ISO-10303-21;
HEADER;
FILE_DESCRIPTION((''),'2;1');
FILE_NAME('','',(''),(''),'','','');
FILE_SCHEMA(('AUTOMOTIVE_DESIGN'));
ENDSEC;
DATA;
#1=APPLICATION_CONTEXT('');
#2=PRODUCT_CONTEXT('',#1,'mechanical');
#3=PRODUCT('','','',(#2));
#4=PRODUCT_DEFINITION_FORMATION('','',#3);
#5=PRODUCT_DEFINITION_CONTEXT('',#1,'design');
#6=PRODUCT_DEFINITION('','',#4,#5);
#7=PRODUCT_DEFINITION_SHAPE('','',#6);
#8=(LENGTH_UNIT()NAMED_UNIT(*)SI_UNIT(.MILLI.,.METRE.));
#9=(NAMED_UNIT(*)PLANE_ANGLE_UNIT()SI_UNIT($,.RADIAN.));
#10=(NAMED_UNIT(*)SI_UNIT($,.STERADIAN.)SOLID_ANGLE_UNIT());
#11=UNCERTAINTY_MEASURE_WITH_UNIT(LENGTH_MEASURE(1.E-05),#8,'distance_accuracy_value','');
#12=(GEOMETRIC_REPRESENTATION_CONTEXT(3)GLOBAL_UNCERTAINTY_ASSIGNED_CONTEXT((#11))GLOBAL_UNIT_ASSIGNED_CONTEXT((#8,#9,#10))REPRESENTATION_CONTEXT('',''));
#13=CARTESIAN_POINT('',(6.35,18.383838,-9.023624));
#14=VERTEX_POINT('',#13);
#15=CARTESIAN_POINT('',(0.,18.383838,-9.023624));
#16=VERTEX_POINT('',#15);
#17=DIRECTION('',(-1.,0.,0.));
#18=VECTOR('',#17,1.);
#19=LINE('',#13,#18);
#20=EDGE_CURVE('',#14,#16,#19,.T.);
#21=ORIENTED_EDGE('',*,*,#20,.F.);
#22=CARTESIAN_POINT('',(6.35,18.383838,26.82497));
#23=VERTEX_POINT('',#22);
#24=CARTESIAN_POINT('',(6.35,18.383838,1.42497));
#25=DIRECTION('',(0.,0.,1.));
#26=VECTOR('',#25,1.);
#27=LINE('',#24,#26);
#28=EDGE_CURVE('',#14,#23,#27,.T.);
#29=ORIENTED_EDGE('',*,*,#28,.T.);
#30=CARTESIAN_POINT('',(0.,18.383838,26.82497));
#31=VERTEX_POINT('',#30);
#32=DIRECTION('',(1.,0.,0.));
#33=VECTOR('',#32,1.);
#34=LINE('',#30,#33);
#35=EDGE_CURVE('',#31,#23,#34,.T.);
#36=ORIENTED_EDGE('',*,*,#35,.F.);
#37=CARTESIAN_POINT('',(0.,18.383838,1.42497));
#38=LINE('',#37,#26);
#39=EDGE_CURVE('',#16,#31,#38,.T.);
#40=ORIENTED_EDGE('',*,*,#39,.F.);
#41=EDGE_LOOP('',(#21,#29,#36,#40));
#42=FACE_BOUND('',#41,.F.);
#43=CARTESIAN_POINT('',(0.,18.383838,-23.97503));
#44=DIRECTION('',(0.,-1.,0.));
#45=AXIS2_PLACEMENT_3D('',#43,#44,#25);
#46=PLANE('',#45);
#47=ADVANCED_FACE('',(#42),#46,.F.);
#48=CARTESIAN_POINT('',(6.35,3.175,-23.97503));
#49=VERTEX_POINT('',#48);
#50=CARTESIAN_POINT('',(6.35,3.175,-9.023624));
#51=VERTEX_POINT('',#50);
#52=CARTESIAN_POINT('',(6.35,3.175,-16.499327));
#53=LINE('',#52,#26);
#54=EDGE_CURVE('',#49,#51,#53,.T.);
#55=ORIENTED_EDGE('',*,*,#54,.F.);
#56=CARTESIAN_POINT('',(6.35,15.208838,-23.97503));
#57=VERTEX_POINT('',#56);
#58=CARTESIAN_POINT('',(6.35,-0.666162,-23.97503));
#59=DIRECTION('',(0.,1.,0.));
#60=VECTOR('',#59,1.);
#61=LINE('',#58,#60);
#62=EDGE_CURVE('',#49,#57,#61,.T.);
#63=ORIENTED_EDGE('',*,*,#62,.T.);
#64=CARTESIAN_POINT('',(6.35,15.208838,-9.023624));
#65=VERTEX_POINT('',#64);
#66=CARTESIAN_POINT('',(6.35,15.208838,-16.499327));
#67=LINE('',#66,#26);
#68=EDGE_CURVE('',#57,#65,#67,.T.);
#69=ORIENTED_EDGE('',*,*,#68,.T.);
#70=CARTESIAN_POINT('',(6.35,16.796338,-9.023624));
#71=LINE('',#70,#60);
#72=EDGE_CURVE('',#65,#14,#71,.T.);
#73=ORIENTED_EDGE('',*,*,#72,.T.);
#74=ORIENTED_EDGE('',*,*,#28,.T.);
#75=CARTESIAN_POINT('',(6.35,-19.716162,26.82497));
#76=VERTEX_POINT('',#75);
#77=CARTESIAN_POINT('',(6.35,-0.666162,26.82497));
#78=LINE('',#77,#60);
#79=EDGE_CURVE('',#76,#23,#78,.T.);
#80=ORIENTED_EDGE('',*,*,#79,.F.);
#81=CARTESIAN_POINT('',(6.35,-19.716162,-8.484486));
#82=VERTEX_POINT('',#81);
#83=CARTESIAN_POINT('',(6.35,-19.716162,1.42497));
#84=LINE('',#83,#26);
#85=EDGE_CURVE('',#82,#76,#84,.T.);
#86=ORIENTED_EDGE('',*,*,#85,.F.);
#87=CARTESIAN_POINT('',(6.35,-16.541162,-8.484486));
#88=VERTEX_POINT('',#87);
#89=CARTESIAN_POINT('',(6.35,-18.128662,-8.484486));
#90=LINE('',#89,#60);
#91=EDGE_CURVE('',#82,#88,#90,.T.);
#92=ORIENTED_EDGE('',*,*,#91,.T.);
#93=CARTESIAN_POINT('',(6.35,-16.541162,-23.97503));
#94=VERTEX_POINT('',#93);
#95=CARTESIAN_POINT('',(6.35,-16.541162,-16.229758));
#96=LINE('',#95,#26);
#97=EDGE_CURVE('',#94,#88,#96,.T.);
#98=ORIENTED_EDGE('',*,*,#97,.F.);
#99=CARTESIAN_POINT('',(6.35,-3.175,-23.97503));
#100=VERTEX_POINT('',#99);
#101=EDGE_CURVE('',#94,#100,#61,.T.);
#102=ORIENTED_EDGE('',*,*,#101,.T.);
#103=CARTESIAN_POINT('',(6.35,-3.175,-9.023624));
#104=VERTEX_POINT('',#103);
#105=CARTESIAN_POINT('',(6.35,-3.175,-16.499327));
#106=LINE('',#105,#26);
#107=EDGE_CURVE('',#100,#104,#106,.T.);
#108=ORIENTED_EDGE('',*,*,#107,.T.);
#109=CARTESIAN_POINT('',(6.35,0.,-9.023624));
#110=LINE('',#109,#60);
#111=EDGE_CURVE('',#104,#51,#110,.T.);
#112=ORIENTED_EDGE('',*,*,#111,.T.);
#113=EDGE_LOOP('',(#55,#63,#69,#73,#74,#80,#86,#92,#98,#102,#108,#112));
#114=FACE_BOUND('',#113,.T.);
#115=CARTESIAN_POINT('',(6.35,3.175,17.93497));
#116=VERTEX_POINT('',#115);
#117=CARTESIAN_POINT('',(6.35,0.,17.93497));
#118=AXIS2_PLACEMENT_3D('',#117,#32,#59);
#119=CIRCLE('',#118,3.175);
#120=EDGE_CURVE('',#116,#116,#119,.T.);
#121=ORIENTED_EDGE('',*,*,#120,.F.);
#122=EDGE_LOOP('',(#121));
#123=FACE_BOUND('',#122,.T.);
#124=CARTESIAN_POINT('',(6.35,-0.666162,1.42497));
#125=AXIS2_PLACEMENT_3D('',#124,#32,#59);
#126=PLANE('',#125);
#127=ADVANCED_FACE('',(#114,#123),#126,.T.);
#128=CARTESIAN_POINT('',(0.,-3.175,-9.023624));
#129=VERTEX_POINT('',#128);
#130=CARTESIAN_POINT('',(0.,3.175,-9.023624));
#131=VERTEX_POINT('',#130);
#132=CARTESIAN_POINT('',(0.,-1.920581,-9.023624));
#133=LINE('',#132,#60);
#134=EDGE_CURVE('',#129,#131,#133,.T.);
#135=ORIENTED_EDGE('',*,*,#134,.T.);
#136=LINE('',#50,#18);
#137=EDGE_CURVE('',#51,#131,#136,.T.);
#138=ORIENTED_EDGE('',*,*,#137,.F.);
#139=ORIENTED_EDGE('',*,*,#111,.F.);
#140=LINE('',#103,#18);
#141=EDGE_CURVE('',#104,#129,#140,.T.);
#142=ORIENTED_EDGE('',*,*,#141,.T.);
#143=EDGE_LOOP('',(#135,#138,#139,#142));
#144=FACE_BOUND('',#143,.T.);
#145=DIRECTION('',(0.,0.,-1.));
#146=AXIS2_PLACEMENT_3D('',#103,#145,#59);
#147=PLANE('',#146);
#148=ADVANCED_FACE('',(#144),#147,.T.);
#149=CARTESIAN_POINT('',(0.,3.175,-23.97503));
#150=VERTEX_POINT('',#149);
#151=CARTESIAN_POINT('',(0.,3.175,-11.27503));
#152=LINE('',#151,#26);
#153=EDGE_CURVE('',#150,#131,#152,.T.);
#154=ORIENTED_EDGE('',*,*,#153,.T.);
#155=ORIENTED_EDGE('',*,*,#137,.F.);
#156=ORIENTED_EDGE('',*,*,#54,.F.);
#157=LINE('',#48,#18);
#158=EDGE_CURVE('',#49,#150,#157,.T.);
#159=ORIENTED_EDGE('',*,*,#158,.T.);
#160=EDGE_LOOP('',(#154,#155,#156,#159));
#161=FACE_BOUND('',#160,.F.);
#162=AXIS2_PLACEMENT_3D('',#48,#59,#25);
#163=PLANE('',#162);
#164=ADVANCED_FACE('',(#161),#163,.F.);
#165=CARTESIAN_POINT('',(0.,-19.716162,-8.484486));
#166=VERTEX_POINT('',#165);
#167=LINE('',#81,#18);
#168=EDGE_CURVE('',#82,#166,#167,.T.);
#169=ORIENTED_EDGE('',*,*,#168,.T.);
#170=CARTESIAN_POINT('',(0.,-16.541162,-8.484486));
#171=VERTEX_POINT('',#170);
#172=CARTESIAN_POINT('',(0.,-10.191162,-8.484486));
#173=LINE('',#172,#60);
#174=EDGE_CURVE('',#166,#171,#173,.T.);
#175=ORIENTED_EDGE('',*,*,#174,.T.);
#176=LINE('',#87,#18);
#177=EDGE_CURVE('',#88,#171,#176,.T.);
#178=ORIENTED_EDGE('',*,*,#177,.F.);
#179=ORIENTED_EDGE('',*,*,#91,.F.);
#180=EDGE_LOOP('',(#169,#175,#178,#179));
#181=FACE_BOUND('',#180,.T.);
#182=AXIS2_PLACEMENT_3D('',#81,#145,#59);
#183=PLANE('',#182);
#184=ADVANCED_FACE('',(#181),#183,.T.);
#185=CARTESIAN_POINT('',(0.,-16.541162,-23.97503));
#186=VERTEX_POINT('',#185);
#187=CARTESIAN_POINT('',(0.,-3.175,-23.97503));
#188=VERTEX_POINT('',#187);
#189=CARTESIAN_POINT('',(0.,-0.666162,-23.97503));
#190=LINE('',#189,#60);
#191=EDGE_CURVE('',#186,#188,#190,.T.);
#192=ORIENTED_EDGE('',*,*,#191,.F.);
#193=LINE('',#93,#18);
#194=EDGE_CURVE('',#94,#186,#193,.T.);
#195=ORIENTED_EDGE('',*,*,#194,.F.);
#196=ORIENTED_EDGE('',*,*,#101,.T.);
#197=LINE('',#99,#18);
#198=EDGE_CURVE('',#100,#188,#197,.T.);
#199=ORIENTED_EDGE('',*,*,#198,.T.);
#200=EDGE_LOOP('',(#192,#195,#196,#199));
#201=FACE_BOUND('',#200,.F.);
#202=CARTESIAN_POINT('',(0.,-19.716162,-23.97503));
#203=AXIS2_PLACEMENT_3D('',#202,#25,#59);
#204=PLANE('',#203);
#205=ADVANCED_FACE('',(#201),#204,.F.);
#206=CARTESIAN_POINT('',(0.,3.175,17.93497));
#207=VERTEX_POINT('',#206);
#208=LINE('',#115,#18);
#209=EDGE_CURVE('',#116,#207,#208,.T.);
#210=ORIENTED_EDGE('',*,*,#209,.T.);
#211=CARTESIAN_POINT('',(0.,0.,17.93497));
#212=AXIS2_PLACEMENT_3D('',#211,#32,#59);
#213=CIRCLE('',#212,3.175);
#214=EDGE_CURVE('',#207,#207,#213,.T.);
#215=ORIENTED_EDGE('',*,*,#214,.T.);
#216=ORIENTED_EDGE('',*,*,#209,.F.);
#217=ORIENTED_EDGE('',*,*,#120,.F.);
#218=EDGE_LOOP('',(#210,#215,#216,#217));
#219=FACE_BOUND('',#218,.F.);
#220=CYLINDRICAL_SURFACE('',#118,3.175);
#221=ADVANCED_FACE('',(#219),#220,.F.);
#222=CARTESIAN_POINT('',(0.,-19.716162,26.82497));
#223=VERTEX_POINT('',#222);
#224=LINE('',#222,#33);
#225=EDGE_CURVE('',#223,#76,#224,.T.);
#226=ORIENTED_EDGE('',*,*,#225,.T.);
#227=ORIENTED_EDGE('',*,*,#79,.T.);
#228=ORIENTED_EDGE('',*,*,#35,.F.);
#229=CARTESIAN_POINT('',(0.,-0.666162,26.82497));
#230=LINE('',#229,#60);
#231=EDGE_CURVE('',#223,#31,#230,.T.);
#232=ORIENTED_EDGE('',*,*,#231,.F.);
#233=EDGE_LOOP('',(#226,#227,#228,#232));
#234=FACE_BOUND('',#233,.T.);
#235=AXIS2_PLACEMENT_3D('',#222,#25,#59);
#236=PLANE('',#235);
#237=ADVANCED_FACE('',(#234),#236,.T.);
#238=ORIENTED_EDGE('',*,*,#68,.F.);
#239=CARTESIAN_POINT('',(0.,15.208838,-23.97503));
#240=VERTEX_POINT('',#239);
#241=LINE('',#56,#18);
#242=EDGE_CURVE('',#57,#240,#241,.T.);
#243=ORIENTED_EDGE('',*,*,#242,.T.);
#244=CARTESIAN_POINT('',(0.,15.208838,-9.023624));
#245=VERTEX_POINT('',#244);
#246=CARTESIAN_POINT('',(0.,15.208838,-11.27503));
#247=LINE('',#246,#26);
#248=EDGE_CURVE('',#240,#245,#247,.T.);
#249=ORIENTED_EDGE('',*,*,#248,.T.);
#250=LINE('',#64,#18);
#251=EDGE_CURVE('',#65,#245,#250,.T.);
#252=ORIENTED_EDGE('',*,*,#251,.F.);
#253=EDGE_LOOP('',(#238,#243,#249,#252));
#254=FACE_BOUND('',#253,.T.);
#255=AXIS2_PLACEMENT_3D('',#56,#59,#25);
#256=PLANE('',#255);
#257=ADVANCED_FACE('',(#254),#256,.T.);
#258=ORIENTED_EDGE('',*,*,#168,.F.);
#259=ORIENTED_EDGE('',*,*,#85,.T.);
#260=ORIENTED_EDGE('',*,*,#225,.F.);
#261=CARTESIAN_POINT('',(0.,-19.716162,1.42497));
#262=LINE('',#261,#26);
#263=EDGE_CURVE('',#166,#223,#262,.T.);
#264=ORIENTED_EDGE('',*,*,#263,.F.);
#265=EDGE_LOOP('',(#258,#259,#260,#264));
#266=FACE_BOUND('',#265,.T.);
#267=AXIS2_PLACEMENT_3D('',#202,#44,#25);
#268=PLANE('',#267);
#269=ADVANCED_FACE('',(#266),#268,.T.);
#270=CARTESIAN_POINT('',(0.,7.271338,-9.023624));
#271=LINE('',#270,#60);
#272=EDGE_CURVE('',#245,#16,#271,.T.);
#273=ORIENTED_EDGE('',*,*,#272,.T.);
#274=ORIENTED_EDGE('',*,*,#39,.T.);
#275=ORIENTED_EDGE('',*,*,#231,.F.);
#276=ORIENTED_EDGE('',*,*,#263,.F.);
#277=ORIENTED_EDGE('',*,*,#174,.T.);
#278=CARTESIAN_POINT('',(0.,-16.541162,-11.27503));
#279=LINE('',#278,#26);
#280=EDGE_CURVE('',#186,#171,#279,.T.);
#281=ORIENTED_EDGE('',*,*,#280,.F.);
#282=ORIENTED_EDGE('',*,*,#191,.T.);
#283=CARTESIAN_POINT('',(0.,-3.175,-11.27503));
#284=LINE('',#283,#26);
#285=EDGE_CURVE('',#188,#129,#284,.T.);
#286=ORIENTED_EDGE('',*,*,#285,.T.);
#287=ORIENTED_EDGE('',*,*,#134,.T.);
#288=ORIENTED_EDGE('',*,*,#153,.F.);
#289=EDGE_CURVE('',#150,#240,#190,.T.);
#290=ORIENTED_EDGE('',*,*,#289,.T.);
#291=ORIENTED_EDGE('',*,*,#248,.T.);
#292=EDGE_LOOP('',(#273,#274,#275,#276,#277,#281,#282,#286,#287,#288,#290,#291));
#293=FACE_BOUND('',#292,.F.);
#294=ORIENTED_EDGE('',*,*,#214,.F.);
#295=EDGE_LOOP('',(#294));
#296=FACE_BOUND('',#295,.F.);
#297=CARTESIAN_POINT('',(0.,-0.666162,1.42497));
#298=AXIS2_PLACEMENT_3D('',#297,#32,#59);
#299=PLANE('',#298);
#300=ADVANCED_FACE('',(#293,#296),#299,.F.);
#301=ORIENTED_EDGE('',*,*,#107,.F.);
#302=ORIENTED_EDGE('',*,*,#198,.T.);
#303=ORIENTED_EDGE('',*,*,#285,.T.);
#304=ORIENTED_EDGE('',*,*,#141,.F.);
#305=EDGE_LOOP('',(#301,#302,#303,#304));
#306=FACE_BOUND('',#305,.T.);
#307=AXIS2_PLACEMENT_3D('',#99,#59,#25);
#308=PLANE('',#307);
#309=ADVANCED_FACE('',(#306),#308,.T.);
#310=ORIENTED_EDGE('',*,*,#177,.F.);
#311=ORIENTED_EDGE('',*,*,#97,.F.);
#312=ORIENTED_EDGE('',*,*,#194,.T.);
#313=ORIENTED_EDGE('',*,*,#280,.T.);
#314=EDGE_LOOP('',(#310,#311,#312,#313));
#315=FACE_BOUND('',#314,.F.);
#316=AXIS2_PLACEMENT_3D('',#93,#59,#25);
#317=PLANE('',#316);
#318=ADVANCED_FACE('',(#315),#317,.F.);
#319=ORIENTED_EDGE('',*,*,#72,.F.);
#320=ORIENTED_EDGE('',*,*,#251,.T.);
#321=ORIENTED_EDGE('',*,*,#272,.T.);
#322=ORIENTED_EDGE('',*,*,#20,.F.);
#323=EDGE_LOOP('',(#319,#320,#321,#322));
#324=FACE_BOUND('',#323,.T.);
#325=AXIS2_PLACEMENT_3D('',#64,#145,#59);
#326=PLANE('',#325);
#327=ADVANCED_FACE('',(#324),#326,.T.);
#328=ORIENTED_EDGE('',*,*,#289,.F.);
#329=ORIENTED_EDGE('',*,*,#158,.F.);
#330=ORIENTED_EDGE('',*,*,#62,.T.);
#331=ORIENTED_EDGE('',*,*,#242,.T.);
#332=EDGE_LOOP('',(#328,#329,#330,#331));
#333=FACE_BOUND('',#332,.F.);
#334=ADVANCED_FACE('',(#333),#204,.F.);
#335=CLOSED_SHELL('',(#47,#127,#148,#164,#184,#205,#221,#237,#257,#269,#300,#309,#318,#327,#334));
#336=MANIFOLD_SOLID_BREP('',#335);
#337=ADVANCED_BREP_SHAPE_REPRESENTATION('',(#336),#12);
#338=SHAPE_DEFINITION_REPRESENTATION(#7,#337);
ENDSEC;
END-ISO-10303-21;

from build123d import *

# Parameters (mm, degrees)
F0_W     = 38.1
F0_H     = 50.8
F1_DEPTH = 6.35
F2_R     = 3.175
F3_DEPTH = 6.351
F4_W     = 3.175
F4_H     = 15.490544
F4_H_2   = 14.951406
F5_DEPTH = 6.351
F6_W     = 6.35
F6_H     = 14.951406
F7_DEPTH = 6.351


with BuildPart() as f1:
    # F0 (on Right) → F1 (new body)
    with BuildSketch(Plane.YZ):
        with Locations((-0.666162, 1.42497)):
            Rectangle(F0_W, F0_H)
    extrude(amount=F1_DEPTH)

    # F2 (on face) → F3 (cut, through all)
    with BuildSketch(Plane.YZ.offset(6.35)):
        with Locations((0, 17.93497)):
            Circle(F2_R)
    extrude(amount=-F3_DEPTH, mode=Mode.SUBTRACT)

    # F4 (on face) → F5 (cut, through all)
    with BuildSketch(Plane.YZ.offset(6.35)):
        with Locations((-18.128662, -16.229758)):
            Rectangle(F4_W, F4_H)
        with Locations((16.796338, -16.499327)):
            Rectangle(F4_W, F4_H_2)
    extrude(amount=-F5_DEPTH, mode=Mode.SUBTRACT)

    # F6 (on face) → F7 (cut, through all)
    with BuildSketch(Plane.YZ.offset(6.35)):
        with Locations((0, -16.499327)):
            Rectangle(F6_W, F6_H)
    extrude(amount=-F7_DEPTH, mode=Mode.SUBTRACT)


solid = f1.part
